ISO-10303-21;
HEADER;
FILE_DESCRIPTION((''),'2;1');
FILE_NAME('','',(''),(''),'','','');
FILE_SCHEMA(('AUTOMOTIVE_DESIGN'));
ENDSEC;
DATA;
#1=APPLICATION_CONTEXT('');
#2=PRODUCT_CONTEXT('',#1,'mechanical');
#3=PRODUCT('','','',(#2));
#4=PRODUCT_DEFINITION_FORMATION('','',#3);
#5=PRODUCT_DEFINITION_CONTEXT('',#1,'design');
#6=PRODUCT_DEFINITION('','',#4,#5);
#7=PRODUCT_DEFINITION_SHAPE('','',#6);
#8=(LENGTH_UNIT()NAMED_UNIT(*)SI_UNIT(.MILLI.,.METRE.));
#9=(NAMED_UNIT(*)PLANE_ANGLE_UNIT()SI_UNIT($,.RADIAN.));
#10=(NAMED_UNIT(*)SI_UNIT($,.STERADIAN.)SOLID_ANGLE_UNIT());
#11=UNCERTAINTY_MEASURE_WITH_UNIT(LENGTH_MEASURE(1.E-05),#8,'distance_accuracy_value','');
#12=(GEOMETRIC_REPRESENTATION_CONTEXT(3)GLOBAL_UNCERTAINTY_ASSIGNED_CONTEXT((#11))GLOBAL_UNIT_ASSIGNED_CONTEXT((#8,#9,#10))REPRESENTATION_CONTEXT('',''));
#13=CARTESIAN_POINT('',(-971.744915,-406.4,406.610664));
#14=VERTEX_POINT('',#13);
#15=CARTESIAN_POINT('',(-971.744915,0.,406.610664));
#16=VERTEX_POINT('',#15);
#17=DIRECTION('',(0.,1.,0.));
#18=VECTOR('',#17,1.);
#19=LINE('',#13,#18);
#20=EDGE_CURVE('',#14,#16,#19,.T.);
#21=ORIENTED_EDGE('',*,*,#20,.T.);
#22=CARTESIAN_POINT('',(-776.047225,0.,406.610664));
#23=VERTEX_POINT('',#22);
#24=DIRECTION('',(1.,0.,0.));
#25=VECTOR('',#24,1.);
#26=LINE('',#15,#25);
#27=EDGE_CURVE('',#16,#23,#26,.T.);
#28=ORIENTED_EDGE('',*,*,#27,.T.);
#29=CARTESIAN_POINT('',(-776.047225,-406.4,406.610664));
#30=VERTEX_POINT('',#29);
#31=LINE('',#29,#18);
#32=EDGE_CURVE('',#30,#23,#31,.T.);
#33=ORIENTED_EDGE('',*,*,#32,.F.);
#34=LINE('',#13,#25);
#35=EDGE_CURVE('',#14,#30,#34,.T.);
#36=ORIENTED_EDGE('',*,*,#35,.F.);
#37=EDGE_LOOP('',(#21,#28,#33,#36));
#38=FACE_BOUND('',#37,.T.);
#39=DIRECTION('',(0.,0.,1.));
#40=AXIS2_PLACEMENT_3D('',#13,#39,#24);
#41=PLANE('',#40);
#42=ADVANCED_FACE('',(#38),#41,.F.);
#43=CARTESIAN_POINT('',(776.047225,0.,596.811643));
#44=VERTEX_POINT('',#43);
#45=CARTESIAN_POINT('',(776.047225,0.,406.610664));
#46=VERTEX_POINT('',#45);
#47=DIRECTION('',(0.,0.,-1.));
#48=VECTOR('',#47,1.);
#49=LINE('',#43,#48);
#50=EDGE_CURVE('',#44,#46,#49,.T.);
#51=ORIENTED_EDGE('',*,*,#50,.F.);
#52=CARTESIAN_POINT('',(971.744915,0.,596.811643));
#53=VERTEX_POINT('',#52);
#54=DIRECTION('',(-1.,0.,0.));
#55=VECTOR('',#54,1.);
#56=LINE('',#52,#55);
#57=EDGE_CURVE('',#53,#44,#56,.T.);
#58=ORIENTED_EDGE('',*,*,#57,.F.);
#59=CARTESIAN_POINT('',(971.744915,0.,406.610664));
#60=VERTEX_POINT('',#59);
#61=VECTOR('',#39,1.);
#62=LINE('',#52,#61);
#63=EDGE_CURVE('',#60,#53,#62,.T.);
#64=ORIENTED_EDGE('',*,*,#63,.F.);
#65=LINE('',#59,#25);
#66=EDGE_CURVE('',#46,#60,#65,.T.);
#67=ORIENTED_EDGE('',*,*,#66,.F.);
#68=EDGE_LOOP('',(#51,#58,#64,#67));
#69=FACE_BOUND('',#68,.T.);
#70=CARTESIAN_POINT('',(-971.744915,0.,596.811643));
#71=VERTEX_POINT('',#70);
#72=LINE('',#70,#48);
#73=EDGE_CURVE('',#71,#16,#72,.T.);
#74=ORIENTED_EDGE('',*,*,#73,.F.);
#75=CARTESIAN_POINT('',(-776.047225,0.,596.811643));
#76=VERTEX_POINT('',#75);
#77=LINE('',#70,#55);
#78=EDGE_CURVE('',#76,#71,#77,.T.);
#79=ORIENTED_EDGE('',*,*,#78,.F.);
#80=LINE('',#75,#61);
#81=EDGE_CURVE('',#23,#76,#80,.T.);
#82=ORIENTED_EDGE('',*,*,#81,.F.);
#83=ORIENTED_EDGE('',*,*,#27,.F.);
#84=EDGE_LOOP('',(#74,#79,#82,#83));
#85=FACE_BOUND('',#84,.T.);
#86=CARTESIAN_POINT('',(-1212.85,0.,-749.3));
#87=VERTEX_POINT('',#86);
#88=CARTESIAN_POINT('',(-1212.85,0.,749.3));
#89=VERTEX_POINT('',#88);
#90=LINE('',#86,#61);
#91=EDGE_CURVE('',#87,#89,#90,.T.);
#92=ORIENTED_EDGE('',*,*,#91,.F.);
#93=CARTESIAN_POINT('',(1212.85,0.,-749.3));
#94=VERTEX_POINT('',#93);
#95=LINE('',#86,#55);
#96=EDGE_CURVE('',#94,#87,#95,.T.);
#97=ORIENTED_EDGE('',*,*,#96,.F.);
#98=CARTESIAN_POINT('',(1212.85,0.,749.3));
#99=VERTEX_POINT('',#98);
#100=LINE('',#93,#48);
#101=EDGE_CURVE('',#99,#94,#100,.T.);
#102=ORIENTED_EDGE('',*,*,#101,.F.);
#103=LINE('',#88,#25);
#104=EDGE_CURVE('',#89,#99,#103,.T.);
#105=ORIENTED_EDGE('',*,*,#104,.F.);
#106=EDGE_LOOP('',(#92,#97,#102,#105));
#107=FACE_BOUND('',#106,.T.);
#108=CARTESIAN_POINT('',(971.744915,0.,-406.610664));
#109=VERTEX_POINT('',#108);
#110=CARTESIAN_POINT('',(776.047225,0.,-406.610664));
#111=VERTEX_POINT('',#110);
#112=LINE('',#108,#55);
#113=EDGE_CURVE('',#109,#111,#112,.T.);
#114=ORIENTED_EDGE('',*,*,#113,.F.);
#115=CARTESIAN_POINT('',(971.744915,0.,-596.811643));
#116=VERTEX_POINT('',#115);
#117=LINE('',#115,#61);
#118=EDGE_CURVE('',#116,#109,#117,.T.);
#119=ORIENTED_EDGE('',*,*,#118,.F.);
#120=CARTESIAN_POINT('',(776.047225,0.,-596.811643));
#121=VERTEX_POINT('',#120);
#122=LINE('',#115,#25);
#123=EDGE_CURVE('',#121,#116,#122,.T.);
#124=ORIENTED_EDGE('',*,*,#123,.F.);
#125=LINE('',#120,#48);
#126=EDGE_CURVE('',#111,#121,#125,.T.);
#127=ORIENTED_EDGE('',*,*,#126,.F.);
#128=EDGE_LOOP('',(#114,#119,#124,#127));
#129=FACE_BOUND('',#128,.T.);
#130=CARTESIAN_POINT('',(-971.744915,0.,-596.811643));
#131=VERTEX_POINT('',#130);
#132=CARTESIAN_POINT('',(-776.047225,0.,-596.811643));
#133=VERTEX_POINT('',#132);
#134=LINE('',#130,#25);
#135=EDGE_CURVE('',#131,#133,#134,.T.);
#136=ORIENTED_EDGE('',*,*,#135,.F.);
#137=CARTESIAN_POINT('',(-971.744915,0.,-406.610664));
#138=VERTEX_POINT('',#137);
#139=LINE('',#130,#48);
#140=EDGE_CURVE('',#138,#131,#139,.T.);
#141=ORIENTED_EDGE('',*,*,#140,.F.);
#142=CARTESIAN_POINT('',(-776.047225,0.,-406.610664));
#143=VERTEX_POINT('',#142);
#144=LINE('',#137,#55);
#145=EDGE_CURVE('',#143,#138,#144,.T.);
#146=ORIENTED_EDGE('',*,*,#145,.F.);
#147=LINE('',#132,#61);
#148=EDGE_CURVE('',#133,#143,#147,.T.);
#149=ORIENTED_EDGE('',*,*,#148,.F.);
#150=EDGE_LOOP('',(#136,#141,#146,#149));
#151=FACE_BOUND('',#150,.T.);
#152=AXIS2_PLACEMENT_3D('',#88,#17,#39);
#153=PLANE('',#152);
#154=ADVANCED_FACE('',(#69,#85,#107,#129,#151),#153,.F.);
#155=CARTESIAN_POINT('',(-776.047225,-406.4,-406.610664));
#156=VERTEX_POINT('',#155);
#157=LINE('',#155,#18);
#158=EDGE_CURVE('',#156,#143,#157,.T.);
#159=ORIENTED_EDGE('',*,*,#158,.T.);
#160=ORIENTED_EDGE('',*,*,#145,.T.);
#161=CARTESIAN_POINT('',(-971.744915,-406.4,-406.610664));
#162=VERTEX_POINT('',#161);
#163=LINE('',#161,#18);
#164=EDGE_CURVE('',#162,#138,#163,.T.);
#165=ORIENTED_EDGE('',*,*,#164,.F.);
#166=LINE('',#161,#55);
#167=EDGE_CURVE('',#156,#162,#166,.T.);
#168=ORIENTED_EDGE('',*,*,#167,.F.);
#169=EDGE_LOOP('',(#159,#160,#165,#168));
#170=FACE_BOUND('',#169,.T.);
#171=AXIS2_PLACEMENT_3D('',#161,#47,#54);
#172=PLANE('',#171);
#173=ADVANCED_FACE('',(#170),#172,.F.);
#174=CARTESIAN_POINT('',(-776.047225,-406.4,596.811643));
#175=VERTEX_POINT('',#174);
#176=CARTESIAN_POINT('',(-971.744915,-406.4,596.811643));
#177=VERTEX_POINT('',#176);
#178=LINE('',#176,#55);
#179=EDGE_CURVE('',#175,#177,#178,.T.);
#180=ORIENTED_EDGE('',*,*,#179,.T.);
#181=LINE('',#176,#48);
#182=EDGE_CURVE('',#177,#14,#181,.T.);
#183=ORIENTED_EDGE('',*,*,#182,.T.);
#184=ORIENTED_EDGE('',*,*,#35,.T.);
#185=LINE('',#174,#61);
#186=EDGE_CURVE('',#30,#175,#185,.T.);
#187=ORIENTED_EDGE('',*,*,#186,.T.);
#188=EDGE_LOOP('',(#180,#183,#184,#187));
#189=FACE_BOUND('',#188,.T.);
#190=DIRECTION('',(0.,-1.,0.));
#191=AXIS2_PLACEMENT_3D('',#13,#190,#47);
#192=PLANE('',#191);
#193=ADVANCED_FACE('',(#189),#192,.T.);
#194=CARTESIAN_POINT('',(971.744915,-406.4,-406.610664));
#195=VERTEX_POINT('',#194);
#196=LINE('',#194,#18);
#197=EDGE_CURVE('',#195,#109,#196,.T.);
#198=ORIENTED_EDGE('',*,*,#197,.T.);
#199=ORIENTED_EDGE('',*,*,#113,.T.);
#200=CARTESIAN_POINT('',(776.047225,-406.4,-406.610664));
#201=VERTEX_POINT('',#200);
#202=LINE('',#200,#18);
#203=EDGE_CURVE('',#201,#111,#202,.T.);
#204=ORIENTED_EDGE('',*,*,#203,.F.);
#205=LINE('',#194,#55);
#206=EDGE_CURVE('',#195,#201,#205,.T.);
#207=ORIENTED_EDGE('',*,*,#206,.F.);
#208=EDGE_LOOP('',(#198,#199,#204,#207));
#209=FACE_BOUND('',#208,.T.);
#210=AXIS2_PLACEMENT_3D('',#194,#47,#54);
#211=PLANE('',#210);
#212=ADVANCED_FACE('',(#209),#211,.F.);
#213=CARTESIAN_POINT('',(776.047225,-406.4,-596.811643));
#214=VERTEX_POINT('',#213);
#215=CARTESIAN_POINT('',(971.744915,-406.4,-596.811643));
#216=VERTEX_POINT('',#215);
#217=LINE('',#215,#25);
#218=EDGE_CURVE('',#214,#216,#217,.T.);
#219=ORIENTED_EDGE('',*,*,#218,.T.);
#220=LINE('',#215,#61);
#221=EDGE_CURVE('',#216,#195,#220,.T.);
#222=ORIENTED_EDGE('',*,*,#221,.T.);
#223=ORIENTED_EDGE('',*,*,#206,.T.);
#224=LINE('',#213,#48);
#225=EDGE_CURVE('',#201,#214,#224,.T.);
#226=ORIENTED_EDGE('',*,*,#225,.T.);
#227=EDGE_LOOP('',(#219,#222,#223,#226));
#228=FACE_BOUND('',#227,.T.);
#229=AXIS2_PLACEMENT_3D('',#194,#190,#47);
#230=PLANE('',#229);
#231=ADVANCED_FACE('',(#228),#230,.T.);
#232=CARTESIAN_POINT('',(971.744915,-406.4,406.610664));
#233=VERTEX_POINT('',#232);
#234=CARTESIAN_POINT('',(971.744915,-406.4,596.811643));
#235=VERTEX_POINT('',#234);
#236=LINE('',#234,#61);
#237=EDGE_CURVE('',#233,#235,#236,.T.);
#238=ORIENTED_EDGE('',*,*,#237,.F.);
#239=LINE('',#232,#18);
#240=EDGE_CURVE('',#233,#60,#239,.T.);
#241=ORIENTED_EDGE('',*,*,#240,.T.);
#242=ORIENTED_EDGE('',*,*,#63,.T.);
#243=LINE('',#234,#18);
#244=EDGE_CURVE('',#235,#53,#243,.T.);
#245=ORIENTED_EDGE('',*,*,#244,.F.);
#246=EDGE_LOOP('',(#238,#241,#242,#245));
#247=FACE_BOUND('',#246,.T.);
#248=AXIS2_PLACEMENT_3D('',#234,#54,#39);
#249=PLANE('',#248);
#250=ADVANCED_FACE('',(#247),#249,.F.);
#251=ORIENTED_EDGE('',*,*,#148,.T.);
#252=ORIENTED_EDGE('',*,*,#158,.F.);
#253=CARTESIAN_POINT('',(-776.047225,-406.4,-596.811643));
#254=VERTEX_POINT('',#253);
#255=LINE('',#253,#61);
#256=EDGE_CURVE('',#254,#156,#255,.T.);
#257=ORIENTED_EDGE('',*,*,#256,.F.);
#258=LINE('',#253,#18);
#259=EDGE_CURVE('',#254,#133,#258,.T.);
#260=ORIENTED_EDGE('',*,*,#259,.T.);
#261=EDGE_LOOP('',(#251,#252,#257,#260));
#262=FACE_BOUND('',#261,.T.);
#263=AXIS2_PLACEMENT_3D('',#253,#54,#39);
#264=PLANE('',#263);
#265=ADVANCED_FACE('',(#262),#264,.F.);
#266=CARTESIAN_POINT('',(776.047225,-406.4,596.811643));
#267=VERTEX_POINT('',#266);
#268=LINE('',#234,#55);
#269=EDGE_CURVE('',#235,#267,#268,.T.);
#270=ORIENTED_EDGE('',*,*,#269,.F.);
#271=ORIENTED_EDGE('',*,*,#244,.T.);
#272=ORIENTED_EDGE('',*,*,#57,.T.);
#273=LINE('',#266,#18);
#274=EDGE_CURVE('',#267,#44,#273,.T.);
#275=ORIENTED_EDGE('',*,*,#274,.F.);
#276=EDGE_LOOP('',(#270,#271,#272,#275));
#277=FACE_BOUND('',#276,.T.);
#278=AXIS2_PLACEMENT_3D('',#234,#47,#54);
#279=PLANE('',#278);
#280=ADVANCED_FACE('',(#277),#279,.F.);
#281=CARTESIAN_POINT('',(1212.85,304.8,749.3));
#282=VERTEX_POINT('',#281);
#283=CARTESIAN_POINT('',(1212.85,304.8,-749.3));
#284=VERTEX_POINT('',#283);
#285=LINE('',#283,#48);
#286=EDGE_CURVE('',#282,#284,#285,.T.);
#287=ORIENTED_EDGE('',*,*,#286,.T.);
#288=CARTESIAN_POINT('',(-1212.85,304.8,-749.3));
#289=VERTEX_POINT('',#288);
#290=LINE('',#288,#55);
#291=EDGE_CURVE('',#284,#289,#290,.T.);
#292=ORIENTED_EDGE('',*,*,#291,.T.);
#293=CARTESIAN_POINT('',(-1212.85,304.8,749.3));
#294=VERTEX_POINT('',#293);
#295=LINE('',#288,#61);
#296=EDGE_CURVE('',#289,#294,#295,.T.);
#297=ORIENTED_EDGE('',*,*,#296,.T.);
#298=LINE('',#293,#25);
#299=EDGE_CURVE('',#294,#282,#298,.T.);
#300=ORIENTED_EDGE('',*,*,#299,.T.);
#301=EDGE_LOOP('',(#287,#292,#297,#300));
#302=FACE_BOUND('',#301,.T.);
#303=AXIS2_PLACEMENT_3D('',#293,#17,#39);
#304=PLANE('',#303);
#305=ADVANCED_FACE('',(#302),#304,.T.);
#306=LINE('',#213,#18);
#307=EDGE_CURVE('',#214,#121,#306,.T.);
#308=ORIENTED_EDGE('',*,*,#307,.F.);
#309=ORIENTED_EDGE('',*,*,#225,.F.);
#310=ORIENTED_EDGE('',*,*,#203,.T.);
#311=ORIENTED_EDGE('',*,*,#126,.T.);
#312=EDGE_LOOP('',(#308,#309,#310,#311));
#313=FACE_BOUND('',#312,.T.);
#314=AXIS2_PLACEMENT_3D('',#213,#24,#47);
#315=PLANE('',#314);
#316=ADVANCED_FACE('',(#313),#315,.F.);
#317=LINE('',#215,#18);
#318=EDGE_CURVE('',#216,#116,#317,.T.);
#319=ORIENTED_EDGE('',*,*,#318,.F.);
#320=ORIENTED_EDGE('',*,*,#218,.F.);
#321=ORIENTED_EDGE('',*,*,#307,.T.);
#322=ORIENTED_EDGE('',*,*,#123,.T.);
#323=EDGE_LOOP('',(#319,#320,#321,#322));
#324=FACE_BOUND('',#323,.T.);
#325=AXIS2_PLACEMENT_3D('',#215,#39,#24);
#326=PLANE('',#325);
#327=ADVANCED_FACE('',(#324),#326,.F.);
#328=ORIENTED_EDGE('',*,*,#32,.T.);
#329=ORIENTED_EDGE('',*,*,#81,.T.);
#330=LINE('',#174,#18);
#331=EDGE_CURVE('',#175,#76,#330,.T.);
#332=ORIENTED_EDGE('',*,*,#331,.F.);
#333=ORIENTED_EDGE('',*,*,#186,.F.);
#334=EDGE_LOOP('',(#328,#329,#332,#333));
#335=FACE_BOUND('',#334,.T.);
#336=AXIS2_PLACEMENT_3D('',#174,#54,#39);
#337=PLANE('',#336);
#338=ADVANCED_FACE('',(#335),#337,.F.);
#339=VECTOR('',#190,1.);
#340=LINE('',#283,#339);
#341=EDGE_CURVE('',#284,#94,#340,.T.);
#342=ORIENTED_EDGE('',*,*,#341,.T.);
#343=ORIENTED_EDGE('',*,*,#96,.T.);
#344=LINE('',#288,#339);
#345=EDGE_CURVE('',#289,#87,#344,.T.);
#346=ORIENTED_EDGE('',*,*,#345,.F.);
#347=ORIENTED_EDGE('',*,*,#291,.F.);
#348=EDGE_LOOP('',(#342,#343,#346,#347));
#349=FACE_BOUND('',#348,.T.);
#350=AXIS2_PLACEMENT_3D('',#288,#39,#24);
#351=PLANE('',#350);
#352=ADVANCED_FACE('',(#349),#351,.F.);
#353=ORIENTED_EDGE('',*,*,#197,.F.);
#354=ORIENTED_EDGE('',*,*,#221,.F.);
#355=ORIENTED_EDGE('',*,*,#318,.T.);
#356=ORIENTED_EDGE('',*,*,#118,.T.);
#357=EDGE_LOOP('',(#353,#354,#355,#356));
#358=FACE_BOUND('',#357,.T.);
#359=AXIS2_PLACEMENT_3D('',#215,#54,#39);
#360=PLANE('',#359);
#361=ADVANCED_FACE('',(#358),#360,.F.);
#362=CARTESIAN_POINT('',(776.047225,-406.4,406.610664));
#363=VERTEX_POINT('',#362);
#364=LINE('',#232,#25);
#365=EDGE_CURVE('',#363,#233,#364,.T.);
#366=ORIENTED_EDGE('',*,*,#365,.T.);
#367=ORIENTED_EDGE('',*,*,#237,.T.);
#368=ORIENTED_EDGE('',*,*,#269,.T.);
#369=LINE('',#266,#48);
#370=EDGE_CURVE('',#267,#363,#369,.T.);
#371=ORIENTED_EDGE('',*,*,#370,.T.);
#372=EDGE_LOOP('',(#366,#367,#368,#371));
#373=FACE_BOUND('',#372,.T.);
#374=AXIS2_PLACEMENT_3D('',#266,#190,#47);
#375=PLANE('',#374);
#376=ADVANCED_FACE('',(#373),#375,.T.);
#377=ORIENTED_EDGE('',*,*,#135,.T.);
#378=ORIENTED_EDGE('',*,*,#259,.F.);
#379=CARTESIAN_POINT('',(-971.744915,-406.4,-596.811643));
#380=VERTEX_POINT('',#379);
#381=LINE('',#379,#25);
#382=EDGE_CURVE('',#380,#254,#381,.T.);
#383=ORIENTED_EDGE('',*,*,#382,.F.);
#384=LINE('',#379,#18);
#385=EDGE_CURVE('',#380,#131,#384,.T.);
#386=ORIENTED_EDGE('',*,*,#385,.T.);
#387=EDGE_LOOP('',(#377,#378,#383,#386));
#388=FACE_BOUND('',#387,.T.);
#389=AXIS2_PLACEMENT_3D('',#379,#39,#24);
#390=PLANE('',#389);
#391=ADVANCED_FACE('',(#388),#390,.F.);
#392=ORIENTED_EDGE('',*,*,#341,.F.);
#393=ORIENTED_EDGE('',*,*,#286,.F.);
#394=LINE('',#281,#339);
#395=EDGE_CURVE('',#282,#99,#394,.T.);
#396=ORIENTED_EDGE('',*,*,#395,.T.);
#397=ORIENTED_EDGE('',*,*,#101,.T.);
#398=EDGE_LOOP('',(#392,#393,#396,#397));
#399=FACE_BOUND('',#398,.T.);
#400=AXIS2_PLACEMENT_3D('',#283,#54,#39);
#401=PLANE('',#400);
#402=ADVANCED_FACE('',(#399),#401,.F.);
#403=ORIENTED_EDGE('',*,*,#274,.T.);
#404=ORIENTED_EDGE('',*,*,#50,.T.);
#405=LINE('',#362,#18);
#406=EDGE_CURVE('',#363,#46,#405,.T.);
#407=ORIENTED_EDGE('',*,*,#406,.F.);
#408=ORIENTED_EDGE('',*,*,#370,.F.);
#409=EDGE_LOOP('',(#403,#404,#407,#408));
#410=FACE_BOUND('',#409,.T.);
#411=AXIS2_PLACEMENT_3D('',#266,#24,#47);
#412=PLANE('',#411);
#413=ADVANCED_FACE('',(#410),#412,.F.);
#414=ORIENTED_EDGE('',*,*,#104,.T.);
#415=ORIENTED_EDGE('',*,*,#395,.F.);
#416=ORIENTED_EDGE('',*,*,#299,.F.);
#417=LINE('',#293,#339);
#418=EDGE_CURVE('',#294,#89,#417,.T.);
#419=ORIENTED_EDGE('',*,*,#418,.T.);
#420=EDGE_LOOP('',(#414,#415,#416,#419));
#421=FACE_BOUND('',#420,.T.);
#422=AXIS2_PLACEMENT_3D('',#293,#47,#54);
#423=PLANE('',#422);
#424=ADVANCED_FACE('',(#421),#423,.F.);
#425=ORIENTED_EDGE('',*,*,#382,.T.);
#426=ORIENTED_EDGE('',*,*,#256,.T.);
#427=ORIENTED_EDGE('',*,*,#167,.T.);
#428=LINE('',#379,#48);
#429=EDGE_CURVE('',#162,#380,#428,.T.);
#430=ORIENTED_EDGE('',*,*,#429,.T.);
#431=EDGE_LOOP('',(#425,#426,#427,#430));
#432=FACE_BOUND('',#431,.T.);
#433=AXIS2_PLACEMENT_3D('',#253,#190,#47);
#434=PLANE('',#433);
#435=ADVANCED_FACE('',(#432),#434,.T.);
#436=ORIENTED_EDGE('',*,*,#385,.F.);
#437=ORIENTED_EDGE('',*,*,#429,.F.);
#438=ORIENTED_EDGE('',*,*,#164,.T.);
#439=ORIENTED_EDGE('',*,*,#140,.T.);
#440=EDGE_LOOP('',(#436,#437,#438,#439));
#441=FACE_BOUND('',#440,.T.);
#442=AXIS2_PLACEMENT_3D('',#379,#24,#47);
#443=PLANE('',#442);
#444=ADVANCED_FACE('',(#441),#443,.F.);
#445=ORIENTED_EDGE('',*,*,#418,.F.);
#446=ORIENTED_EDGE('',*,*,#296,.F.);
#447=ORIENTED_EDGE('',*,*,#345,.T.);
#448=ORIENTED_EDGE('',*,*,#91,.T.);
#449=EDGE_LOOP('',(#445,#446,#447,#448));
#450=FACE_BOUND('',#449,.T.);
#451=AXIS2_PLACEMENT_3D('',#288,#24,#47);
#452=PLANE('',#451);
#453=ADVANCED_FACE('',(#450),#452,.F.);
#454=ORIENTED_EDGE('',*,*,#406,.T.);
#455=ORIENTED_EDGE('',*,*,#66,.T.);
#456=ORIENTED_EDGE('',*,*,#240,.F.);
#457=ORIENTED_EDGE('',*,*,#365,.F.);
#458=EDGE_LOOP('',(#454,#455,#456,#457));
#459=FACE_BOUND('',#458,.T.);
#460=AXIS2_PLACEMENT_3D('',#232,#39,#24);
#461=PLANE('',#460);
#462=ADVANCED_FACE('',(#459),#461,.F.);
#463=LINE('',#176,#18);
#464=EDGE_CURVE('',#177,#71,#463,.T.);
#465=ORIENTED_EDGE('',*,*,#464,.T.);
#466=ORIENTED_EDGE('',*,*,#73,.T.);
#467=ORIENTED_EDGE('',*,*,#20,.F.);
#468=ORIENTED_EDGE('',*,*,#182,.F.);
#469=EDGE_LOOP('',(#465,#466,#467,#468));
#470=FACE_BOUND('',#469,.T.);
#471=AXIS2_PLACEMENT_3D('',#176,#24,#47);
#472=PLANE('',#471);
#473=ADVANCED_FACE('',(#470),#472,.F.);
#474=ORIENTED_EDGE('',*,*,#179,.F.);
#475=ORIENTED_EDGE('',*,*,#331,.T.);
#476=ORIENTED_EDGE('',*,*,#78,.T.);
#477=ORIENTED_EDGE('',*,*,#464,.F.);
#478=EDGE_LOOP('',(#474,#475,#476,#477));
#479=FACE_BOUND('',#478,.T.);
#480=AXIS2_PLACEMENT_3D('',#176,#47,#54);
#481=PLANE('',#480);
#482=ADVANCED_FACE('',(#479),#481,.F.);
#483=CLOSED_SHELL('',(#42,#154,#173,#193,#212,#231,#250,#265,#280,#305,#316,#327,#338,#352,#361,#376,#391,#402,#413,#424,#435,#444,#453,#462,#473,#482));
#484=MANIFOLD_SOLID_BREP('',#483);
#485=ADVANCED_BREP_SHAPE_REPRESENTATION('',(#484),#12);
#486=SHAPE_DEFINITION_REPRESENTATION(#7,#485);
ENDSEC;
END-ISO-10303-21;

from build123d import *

# Parameters (mm, degrees)
SKETCH1_W      = 2425.7
SKETCH1_H      = 1498.6
EXTRUDE1_DEPTH = 304.8
SKETCH2_W      = 195.697690122
SKETCH2_H      = 190.200978844
EXTRUDE2_DEPTH = 406.4


with BuildPart() as part:
    # Sketch1 → Extrude1 (new body)
    with BuildSketch(Plane(origin=(0, 0, 0), x_dir=(1, 0, 0), z_dir=(0, 1, 0))):
        Rectangle(SKETCH1_W, SKETCH1_H)
    extrude(amount=EXTRUDE1_DEPTH)

    # Sketch2 → Extrude2 (add)
    with BuildSketch(Plane.XZ):
        with Locations((873.896069805, 501.711153283)):
            Rectangle(SKETCH2_W, SKETCH2_H)
        with Locations((-873.896069805, 501.711153283)):
            Rectangle(SKETCH2_W, SKETCH2_H)
        with Locations((-873.896069805, -501.711153283)):
            Rectangle(SKETCH2_W, SKETCH2_H)
        with Locations((873.896069805, -501.711153283)):
            Rectangle(SKETCH2_W, SKETCH2_H)
    extrude(amount=EXTRUDE2_DEPTH)


solid = part.part
